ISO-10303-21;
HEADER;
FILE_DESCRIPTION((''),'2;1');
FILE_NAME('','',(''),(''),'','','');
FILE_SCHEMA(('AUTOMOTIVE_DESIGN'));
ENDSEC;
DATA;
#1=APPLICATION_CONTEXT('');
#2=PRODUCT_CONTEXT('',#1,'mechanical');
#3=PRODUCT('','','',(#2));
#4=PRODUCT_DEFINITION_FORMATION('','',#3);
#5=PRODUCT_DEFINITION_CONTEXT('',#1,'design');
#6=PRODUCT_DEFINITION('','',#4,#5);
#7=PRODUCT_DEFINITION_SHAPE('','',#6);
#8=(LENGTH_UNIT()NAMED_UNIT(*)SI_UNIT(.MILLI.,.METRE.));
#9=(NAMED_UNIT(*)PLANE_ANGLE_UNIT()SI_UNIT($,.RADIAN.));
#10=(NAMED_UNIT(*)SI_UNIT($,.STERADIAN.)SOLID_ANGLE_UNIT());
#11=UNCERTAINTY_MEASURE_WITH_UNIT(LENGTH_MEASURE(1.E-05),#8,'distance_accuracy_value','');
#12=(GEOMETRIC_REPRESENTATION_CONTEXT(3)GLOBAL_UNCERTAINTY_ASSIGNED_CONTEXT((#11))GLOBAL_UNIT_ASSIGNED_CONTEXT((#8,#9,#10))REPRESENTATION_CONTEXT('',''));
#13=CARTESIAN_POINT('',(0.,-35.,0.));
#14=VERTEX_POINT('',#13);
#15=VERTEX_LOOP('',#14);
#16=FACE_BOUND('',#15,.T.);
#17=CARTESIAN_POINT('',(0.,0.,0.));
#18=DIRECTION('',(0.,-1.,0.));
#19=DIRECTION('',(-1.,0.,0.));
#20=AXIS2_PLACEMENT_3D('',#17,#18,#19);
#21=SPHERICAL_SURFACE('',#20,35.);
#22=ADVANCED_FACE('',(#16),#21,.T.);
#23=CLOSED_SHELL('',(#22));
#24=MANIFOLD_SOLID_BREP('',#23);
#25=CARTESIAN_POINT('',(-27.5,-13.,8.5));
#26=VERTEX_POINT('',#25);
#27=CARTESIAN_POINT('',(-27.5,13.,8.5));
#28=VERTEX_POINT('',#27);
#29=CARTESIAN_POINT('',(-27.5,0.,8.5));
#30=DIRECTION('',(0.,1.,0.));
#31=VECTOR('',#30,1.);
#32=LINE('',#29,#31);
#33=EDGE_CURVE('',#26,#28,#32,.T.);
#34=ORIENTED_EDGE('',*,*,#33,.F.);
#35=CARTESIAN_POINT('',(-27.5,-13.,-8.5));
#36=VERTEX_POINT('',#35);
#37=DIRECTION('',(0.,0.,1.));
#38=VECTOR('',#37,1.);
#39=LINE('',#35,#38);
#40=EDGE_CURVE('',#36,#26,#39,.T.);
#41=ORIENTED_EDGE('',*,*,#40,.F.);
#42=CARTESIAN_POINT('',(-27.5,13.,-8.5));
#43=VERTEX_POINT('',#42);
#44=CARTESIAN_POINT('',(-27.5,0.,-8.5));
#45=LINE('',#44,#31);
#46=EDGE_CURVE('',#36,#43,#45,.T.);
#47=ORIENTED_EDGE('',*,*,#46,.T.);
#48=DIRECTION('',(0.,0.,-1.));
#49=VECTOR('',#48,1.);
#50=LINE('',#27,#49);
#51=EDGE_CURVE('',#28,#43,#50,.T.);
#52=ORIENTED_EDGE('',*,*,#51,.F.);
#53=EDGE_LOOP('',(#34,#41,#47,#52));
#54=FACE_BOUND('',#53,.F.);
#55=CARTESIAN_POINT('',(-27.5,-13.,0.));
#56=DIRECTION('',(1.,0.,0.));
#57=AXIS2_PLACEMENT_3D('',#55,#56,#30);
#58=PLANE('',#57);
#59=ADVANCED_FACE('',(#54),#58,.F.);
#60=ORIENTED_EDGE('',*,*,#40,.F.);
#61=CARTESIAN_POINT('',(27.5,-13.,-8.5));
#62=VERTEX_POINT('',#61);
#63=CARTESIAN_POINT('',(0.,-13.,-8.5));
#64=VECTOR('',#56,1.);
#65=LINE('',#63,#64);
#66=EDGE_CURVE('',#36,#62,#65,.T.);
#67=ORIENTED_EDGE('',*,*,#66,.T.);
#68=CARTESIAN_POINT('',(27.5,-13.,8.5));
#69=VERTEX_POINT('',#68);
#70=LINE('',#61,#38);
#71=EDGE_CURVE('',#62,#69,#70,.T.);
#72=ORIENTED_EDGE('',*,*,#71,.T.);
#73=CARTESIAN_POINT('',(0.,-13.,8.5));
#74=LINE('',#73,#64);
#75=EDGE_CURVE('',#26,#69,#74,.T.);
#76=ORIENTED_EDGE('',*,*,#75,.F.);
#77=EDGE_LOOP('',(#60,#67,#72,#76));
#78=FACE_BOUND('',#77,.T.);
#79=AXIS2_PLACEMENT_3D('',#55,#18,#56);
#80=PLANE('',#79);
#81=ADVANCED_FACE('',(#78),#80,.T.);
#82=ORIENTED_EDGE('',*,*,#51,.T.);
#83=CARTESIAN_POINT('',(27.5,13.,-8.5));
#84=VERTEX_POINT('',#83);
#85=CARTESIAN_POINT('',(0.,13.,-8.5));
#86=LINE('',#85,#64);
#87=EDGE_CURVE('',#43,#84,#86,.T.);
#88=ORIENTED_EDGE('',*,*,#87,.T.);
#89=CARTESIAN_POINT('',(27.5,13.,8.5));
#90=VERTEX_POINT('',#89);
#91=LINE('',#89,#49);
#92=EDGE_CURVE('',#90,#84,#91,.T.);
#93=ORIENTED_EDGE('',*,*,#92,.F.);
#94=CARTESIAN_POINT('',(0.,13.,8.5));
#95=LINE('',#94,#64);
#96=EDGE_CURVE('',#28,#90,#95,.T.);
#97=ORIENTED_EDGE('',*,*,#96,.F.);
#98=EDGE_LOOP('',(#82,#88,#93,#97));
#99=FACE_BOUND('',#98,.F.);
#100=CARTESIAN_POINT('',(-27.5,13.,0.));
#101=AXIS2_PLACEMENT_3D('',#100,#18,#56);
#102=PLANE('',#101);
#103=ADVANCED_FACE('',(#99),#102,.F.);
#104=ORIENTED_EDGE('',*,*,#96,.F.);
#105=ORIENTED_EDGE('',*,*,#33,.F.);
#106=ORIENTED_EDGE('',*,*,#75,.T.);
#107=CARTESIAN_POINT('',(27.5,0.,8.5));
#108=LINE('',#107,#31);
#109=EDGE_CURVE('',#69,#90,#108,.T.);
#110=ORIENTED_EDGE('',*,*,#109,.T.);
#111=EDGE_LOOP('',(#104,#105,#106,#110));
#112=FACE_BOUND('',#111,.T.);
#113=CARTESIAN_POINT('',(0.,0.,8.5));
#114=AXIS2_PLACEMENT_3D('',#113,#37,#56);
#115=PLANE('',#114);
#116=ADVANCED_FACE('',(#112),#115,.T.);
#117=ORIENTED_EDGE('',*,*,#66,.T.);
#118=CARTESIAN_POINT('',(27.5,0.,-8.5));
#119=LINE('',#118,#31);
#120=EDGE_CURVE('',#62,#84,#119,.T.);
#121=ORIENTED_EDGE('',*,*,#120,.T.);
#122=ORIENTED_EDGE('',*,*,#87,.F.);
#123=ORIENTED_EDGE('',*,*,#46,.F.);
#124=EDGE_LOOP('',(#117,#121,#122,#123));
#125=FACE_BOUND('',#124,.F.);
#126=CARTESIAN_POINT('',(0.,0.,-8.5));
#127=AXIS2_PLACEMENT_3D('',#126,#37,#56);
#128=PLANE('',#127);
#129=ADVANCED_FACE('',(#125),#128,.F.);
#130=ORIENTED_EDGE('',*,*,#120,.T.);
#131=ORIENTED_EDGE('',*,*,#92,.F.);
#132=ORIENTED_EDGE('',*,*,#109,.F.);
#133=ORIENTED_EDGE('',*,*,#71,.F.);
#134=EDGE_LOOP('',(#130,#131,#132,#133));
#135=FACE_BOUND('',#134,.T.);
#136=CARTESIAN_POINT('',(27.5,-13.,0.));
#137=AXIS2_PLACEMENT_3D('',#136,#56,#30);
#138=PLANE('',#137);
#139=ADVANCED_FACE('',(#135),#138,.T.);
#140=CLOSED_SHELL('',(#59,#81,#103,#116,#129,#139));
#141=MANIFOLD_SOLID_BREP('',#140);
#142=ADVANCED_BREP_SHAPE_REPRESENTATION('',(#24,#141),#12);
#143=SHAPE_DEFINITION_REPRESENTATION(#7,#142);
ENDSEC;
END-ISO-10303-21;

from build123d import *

# Parameters (mm, degrees)
F0_W     = 55
F0_H     = 26
F1_DEPTH = 8.5


with BuildPart() as f1:
    # F0 (on Top) → F1 (new body, symmetric)
    with BuildSketch(Plane.XY):
        Rectangle(F0_W, F0_H)
    extrude(amount=F1_DEPTH, both=True)


with BuildPart() as f3:
    # F2 (on Top) → F3 (revolve)
    with BuildSketch(Plane.XY):
        with BuildLine():
            Line((0, -35), (0, 35))
            ThreePointArc((0, 35), (-35, 0), (0, -35))
        make_face()
    revolve(axis=Axis((0, 0, 0), (0, -1, 0)))


solid = Compound([f1.part, f3.part])
